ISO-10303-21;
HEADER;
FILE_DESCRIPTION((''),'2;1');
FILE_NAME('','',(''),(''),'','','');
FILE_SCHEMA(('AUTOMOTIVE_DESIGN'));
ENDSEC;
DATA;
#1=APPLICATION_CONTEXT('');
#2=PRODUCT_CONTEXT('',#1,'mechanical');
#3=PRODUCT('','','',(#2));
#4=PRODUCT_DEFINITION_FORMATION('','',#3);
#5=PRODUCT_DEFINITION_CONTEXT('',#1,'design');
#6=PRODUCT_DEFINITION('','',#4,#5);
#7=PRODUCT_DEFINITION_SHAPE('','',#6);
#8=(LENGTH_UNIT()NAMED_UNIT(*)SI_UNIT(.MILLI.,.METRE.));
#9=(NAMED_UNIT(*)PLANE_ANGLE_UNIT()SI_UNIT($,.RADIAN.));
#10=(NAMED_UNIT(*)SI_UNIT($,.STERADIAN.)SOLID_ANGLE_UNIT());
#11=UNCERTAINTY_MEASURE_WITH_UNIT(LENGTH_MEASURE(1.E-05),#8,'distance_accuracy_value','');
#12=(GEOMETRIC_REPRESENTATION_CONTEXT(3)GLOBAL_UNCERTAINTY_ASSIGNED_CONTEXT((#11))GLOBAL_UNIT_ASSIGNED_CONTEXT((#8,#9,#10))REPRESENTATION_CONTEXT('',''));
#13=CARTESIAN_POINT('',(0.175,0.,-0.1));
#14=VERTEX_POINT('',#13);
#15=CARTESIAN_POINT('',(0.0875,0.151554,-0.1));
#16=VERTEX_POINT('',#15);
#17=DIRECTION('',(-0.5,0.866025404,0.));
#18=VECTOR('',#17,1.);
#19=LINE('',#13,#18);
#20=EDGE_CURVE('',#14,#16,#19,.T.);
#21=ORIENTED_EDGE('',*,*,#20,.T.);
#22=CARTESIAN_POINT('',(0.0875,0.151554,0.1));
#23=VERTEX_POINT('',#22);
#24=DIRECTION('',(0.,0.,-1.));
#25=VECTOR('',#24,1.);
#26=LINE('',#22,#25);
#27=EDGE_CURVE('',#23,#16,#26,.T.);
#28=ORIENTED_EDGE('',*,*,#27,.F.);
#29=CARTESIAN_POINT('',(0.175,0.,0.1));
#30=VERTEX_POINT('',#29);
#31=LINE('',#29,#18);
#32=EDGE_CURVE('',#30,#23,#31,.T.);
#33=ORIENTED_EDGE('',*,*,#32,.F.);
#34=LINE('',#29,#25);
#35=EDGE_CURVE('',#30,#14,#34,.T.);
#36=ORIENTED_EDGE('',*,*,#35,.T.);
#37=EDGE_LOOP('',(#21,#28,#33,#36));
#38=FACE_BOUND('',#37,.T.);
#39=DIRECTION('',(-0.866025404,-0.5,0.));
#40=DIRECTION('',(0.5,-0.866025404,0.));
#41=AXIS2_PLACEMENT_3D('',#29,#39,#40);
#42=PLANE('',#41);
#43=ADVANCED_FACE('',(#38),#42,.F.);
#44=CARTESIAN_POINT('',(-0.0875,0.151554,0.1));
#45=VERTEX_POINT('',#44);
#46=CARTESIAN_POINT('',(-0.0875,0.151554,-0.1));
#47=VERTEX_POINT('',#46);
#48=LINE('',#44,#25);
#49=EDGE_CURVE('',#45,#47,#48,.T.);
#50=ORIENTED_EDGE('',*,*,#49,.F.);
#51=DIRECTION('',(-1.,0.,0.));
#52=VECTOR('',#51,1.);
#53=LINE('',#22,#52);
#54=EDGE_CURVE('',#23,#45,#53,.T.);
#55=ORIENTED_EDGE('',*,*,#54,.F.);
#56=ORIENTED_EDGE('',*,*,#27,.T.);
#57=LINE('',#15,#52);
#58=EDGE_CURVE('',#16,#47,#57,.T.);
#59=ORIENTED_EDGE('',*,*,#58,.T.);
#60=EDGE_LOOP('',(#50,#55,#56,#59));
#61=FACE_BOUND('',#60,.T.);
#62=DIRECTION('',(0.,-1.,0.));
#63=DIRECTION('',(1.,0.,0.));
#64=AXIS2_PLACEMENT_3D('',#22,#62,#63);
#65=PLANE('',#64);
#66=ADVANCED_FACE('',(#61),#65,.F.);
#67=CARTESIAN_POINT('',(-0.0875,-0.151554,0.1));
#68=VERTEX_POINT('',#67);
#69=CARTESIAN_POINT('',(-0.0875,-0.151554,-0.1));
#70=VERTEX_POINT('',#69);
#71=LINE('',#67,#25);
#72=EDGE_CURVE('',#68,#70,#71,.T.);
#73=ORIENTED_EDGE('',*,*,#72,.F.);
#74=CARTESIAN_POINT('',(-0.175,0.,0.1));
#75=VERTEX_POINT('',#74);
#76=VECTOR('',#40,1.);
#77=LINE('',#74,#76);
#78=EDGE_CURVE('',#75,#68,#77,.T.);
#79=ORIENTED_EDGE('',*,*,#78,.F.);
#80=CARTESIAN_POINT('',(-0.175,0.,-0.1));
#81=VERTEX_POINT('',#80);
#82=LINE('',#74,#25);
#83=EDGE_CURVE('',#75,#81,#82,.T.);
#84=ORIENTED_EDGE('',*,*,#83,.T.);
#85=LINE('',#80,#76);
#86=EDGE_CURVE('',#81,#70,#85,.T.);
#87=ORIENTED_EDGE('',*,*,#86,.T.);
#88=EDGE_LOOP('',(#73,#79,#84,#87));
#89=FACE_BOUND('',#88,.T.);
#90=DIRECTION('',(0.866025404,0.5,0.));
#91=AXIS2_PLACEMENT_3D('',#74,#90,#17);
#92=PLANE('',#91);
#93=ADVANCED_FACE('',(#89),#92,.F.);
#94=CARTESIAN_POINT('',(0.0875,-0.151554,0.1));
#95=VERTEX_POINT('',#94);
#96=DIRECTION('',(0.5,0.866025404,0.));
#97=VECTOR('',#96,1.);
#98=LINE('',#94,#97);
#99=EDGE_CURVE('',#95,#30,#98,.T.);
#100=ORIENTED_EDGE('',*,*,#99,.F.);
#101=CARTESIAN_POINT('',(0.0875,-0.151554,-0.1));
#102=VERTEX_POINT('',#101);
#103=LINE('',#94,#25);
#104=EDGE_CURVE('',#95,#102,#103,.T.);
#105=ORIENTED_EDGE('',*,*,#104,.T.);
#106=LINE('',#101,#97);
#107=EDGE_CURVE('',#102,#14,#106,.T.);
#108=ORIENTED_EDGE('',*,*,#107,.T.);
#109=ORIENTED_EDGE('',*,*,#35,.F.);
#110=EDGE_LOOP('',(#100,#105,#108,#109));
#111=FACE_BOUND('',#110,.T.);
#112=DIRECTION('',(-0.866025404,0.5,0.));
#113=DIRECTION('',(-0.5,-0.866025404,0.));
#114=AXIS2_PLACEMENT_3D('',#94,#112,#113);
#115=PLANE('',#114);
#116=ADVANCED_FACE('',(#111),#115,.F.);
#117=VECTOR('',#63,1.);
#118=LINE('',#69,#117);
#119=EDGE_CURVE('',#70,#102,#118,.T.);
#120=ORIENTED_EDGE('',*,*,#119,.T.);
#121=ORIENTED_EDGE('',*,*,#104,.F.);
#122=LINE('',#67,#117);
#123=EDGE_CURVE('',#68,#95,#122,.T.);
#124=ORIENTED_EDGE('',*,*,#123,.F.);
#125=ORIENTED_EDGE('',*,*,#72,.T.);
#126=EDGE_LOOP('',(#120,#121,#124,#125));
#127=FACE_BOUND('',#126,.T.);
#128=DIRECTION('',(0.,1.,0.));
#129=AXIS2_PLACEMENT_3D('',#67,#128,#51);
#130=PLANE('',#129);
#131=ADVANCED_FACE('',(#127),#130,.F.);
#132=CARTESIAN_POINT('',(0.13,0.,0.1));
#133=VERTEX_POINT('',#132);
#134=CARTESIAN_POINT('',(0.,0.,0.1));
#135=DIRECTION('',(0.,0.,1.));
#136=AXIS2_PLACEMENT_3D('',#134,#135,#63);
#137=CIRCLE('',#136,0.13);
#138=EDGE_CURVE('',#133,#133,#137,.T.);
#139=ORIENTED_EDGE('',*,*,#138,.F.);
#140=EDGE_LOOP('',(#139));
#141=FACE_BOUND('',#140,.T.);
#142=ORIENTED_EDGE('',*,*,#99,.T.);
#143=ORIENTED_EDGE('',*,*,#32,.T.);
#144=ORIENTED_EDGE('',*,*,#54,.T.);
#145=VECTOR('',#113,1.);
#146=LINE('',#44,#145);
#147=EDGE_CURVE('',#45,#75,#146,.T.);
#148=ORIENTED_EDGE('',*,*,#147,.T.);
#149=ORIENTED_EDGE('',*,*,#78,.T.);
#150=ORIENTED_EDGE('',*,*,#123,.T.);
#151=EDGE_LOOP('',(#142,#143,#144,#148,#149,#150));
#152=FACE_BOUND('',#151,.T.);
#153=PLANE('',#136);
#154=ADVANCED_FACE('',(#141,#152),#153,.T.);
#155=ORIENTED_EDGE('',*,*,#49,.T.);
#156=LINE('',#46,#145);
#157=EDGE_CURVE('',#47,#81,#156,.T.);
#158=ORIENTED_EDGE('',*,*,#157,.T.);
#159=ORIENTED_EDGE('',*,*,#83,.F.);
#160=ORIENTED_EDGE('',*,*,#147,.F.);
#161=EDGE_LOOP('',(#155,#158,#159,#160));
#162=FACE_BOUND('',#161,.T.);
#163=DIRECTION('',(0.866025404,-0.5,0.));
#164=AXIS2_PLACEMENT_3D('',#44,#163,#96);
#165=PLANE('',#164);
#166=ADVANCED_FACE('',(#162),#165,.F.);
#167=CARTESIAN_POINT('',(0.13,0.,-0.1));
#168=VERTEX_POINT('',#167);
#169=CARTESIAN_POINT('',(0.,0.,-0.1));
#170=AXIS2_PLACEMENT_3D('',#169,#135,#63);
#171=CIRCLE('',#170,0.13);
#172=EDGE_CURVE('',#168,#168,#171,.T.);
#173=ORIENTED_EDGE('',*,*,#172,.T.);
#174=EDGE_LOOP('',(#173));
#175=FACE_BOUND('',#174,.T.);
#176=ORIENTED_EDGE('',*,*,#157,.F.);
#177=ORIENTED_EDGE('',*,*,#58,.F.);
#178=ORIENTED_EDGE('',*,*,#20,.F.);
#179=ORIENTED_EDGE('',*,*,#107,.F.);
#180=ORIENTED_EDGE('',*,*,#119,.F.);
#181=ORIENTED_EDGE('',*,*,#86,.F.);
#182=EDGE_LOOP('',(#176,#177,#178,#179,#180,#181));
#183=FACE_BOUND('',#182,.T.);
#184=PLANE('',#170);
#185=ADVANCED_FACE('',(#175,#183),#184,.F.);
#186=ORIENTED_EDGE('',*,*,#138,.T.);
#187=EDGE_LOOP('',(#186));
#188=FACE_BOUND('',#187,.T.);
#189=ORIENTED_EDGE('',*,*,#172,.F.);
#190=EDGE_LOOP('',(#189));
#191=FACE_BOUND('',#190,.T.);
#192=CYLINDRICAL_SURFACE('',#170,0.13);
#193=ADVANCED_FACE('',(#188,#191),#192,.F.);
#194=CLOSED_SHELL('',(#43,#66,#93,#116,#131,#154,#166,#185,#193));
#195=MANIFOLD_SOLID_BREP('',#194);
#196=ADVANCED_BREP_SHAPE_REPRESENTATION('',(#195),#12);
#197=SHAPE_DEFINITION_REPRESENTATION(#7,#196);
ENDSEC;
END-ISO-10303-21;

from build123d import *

# Parameters (mm, degrees)
BOSS_EXTRUDE1_DEPTH = 0.1
SKETCH2_R           = 0.13
CUT_EXTRUDE1_DEPTH  = 0.2


with BuildPart() as part:
    # Sketch1 → Boss-Extrude1 (new, symmetric)
    with BuildSketch(Plane.XY):
        Polygon((0.175, 0), (0.0875, 0.151554446), (-0.0875, 0.151554446), (-0.175, 0), (-0.0875, -0.151554446), (0.0875, -0.151554446), align=None)
    extrude(amount=BOSS_EXTRUDE1_DEPTH, both=True)

    # Sketch2 → Cut-Extrude1 (cut)
    with BuildSketch(Plane.XY.offset(0.1)):
        Circle(SKETCH2_R)
    extrude(amount=-CUT_EXTRUDE1_DEPTH, mode=Mode.SUBTRACT)


solid = part.part
